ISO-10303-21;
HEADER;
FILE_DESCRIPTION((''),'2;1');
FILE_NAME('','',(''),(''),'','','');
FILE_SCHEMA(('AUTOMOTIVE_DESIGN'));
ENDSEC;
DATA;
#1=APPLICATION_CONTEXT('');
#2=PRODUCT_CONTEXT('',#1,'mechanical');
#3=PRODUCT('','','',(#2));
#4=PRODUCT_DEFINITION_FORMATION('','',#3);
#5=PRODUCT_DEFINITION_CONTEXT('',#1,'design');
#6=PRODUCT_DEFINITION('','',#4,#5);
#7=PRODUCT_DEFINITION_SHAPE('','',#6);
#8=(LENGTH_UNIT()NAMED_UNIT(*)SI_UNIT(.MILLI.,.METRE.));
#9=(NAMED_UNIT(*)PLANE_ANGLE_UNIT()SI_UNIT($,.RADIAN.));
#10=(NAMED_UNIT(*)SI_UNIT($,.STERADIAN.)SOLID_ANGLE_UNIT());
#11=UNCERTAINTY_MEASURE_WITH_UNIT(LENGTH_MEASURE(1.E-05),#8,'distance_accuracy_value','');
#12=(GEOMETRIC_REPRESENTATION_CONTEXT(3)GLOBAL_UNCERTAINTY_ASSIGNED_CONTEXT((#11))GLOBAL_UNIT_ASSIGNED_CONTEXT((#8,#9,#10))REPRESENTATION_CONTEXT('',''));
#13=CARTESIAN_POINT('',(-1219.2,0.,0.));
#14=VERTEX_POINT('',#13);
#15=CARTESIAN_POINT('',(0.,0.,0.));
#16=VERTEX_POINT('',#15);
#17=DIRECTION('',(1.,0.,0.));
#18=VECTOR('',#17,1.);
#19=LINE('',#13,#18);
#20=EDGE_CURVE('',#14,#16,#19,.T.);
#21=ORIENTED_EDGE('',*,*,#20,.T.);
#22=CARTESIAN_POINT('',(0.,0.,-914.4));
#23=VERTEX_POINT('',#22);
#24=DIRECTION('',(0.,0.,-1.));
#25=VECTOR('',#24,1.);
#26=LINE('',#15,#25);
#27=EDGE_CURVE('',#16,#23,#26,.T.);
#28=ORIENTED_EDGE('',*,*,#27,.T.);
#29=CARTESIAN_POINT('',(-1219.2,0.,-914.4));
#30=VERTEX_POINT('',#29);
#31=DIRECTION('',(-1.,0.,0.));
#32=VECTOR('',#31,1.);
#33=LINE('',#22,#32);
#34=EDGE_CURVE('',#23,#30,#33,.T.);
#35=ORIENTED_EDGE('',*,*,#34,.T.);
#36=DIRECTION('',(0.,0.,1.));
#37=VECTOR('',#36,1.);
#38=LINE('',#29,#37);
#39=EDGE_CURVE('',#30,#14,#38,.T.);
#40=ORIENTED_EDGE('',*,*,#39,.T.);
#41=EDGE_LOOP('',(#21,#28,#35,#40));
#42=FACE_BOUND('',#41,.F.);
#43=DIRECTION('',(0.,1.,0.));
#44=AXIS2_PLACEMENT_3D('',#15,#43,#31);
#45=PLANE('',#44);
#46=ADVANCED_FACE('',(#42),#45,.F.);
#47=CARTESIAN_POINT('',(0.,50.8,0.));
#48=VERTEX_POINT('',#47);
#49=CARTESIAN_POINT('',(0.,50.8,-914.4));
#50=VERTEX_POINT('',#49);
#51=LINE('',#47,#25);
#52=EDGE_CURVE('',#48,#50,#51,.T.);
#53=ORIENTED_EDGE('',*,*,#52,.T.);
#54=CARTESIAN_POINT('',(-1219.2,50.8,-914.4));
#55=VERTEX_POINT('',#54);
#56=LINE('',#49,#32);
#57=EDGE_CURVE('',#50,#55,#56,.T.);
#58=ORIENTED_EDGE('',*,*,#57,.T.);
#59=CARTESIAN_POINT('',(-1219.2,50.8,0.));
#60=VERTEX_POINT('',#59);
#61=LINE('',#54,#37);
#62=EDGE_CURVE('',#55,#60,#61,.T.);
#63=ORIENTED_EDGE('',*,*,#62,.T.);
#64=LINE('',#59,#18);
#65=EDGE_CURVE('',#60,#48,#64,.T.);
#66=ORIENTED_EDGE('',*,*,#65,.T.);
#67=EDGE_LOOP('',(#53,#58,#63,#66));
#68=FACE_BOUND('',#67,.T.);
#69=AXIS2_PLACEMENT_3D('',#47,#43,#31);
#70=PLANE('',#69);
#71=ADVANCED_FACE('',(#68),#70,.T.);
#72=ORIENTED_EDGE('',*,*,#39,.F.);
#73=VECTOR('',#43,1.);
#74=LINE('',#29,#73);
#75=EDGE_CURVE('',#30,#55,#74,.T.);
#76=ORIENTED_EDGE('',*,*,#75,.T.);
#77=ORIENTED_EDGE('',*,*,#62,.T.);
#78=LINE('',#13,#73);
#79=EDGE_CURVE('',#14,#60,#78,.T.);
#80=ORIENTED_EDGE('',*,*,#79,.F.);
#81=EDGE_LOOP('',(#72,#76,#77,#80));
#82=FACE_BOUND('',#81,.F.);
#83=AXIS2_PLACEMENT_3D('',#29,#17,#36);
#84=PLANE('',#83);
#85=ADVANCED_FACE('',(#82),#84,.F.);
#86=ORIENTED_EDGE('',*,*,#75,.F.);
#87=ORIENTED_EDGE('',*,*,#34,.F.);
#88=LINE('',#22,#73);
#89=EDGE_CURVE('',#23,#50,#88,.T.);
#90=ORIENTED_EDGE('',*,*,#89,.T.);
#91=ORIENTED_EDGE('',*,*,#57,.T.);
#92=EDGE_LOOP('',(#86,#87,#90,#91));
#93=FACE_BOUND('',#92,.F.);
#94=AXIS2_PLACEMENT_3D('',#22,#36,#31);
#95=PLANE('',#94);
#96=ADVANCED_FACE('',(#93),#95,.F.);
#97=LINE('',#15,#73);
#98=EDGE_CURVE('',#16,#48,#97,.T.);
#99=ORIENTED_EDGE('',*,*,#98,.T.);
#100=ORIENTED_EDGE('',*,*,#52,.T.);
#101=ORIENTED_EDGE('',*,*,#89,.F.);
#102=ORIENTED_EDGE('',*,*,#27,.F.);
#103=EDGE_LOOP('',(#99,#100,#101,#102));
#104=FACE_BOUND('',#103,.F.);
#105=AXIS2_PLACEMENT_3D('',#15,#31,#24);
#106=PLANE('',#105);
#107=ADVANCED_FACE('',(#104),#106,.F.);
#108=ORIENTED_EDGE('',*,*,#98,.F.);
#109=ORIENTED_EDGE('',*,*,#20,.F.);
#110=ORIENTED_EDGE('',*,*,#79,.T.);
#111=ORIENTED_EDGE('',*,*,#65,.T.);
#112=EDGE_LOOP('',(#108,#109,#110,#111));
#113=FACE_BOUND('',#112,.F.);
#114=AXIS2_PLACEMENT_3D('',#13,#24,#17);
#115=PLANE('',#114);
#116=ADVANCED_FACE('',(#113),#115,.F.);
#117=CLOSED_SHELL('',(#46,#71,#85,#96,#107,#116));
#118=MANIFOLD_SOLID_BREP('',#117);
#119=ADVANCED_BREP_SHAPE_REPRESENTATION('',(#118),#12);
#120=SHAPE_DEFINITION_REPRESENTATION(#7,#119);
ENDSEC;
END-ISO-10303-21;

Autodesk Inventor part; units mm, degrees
ref_plane "YZ Plane" through (0, 0, 0) normal (1, 0, 0) x (0, 1, 0)
ref_plane "XZ Plane" through (0, 0, 0) normal (0, 1, 0) x (-1, 0, 0)
ref_plane "XY Plane" through (0, 0, 0) normal (0, 0, 1) x (1, 0, 0)
sketch "Sketch1" plane through (0, 0, 0) normal (0, 1, 0) x (-1, 0, 0)
  line L0 (0, 0) -> (0, -914.4)
  line L1 (0, -914.4) -> (1219.2, -914.4)
  line L2 (1219.2, -914.4) -> (1219.2, 0)
  line L3 (1219.2, 0) -> (0, 0)
  dimension "d0" = 914.4
  dimension "d1" = 1219.2
extrude "Extrusion1" add sketch "Sketch1" along normal blind 50.8
properties part number "zxdrghseroitdhgnjs;oeitzh"
